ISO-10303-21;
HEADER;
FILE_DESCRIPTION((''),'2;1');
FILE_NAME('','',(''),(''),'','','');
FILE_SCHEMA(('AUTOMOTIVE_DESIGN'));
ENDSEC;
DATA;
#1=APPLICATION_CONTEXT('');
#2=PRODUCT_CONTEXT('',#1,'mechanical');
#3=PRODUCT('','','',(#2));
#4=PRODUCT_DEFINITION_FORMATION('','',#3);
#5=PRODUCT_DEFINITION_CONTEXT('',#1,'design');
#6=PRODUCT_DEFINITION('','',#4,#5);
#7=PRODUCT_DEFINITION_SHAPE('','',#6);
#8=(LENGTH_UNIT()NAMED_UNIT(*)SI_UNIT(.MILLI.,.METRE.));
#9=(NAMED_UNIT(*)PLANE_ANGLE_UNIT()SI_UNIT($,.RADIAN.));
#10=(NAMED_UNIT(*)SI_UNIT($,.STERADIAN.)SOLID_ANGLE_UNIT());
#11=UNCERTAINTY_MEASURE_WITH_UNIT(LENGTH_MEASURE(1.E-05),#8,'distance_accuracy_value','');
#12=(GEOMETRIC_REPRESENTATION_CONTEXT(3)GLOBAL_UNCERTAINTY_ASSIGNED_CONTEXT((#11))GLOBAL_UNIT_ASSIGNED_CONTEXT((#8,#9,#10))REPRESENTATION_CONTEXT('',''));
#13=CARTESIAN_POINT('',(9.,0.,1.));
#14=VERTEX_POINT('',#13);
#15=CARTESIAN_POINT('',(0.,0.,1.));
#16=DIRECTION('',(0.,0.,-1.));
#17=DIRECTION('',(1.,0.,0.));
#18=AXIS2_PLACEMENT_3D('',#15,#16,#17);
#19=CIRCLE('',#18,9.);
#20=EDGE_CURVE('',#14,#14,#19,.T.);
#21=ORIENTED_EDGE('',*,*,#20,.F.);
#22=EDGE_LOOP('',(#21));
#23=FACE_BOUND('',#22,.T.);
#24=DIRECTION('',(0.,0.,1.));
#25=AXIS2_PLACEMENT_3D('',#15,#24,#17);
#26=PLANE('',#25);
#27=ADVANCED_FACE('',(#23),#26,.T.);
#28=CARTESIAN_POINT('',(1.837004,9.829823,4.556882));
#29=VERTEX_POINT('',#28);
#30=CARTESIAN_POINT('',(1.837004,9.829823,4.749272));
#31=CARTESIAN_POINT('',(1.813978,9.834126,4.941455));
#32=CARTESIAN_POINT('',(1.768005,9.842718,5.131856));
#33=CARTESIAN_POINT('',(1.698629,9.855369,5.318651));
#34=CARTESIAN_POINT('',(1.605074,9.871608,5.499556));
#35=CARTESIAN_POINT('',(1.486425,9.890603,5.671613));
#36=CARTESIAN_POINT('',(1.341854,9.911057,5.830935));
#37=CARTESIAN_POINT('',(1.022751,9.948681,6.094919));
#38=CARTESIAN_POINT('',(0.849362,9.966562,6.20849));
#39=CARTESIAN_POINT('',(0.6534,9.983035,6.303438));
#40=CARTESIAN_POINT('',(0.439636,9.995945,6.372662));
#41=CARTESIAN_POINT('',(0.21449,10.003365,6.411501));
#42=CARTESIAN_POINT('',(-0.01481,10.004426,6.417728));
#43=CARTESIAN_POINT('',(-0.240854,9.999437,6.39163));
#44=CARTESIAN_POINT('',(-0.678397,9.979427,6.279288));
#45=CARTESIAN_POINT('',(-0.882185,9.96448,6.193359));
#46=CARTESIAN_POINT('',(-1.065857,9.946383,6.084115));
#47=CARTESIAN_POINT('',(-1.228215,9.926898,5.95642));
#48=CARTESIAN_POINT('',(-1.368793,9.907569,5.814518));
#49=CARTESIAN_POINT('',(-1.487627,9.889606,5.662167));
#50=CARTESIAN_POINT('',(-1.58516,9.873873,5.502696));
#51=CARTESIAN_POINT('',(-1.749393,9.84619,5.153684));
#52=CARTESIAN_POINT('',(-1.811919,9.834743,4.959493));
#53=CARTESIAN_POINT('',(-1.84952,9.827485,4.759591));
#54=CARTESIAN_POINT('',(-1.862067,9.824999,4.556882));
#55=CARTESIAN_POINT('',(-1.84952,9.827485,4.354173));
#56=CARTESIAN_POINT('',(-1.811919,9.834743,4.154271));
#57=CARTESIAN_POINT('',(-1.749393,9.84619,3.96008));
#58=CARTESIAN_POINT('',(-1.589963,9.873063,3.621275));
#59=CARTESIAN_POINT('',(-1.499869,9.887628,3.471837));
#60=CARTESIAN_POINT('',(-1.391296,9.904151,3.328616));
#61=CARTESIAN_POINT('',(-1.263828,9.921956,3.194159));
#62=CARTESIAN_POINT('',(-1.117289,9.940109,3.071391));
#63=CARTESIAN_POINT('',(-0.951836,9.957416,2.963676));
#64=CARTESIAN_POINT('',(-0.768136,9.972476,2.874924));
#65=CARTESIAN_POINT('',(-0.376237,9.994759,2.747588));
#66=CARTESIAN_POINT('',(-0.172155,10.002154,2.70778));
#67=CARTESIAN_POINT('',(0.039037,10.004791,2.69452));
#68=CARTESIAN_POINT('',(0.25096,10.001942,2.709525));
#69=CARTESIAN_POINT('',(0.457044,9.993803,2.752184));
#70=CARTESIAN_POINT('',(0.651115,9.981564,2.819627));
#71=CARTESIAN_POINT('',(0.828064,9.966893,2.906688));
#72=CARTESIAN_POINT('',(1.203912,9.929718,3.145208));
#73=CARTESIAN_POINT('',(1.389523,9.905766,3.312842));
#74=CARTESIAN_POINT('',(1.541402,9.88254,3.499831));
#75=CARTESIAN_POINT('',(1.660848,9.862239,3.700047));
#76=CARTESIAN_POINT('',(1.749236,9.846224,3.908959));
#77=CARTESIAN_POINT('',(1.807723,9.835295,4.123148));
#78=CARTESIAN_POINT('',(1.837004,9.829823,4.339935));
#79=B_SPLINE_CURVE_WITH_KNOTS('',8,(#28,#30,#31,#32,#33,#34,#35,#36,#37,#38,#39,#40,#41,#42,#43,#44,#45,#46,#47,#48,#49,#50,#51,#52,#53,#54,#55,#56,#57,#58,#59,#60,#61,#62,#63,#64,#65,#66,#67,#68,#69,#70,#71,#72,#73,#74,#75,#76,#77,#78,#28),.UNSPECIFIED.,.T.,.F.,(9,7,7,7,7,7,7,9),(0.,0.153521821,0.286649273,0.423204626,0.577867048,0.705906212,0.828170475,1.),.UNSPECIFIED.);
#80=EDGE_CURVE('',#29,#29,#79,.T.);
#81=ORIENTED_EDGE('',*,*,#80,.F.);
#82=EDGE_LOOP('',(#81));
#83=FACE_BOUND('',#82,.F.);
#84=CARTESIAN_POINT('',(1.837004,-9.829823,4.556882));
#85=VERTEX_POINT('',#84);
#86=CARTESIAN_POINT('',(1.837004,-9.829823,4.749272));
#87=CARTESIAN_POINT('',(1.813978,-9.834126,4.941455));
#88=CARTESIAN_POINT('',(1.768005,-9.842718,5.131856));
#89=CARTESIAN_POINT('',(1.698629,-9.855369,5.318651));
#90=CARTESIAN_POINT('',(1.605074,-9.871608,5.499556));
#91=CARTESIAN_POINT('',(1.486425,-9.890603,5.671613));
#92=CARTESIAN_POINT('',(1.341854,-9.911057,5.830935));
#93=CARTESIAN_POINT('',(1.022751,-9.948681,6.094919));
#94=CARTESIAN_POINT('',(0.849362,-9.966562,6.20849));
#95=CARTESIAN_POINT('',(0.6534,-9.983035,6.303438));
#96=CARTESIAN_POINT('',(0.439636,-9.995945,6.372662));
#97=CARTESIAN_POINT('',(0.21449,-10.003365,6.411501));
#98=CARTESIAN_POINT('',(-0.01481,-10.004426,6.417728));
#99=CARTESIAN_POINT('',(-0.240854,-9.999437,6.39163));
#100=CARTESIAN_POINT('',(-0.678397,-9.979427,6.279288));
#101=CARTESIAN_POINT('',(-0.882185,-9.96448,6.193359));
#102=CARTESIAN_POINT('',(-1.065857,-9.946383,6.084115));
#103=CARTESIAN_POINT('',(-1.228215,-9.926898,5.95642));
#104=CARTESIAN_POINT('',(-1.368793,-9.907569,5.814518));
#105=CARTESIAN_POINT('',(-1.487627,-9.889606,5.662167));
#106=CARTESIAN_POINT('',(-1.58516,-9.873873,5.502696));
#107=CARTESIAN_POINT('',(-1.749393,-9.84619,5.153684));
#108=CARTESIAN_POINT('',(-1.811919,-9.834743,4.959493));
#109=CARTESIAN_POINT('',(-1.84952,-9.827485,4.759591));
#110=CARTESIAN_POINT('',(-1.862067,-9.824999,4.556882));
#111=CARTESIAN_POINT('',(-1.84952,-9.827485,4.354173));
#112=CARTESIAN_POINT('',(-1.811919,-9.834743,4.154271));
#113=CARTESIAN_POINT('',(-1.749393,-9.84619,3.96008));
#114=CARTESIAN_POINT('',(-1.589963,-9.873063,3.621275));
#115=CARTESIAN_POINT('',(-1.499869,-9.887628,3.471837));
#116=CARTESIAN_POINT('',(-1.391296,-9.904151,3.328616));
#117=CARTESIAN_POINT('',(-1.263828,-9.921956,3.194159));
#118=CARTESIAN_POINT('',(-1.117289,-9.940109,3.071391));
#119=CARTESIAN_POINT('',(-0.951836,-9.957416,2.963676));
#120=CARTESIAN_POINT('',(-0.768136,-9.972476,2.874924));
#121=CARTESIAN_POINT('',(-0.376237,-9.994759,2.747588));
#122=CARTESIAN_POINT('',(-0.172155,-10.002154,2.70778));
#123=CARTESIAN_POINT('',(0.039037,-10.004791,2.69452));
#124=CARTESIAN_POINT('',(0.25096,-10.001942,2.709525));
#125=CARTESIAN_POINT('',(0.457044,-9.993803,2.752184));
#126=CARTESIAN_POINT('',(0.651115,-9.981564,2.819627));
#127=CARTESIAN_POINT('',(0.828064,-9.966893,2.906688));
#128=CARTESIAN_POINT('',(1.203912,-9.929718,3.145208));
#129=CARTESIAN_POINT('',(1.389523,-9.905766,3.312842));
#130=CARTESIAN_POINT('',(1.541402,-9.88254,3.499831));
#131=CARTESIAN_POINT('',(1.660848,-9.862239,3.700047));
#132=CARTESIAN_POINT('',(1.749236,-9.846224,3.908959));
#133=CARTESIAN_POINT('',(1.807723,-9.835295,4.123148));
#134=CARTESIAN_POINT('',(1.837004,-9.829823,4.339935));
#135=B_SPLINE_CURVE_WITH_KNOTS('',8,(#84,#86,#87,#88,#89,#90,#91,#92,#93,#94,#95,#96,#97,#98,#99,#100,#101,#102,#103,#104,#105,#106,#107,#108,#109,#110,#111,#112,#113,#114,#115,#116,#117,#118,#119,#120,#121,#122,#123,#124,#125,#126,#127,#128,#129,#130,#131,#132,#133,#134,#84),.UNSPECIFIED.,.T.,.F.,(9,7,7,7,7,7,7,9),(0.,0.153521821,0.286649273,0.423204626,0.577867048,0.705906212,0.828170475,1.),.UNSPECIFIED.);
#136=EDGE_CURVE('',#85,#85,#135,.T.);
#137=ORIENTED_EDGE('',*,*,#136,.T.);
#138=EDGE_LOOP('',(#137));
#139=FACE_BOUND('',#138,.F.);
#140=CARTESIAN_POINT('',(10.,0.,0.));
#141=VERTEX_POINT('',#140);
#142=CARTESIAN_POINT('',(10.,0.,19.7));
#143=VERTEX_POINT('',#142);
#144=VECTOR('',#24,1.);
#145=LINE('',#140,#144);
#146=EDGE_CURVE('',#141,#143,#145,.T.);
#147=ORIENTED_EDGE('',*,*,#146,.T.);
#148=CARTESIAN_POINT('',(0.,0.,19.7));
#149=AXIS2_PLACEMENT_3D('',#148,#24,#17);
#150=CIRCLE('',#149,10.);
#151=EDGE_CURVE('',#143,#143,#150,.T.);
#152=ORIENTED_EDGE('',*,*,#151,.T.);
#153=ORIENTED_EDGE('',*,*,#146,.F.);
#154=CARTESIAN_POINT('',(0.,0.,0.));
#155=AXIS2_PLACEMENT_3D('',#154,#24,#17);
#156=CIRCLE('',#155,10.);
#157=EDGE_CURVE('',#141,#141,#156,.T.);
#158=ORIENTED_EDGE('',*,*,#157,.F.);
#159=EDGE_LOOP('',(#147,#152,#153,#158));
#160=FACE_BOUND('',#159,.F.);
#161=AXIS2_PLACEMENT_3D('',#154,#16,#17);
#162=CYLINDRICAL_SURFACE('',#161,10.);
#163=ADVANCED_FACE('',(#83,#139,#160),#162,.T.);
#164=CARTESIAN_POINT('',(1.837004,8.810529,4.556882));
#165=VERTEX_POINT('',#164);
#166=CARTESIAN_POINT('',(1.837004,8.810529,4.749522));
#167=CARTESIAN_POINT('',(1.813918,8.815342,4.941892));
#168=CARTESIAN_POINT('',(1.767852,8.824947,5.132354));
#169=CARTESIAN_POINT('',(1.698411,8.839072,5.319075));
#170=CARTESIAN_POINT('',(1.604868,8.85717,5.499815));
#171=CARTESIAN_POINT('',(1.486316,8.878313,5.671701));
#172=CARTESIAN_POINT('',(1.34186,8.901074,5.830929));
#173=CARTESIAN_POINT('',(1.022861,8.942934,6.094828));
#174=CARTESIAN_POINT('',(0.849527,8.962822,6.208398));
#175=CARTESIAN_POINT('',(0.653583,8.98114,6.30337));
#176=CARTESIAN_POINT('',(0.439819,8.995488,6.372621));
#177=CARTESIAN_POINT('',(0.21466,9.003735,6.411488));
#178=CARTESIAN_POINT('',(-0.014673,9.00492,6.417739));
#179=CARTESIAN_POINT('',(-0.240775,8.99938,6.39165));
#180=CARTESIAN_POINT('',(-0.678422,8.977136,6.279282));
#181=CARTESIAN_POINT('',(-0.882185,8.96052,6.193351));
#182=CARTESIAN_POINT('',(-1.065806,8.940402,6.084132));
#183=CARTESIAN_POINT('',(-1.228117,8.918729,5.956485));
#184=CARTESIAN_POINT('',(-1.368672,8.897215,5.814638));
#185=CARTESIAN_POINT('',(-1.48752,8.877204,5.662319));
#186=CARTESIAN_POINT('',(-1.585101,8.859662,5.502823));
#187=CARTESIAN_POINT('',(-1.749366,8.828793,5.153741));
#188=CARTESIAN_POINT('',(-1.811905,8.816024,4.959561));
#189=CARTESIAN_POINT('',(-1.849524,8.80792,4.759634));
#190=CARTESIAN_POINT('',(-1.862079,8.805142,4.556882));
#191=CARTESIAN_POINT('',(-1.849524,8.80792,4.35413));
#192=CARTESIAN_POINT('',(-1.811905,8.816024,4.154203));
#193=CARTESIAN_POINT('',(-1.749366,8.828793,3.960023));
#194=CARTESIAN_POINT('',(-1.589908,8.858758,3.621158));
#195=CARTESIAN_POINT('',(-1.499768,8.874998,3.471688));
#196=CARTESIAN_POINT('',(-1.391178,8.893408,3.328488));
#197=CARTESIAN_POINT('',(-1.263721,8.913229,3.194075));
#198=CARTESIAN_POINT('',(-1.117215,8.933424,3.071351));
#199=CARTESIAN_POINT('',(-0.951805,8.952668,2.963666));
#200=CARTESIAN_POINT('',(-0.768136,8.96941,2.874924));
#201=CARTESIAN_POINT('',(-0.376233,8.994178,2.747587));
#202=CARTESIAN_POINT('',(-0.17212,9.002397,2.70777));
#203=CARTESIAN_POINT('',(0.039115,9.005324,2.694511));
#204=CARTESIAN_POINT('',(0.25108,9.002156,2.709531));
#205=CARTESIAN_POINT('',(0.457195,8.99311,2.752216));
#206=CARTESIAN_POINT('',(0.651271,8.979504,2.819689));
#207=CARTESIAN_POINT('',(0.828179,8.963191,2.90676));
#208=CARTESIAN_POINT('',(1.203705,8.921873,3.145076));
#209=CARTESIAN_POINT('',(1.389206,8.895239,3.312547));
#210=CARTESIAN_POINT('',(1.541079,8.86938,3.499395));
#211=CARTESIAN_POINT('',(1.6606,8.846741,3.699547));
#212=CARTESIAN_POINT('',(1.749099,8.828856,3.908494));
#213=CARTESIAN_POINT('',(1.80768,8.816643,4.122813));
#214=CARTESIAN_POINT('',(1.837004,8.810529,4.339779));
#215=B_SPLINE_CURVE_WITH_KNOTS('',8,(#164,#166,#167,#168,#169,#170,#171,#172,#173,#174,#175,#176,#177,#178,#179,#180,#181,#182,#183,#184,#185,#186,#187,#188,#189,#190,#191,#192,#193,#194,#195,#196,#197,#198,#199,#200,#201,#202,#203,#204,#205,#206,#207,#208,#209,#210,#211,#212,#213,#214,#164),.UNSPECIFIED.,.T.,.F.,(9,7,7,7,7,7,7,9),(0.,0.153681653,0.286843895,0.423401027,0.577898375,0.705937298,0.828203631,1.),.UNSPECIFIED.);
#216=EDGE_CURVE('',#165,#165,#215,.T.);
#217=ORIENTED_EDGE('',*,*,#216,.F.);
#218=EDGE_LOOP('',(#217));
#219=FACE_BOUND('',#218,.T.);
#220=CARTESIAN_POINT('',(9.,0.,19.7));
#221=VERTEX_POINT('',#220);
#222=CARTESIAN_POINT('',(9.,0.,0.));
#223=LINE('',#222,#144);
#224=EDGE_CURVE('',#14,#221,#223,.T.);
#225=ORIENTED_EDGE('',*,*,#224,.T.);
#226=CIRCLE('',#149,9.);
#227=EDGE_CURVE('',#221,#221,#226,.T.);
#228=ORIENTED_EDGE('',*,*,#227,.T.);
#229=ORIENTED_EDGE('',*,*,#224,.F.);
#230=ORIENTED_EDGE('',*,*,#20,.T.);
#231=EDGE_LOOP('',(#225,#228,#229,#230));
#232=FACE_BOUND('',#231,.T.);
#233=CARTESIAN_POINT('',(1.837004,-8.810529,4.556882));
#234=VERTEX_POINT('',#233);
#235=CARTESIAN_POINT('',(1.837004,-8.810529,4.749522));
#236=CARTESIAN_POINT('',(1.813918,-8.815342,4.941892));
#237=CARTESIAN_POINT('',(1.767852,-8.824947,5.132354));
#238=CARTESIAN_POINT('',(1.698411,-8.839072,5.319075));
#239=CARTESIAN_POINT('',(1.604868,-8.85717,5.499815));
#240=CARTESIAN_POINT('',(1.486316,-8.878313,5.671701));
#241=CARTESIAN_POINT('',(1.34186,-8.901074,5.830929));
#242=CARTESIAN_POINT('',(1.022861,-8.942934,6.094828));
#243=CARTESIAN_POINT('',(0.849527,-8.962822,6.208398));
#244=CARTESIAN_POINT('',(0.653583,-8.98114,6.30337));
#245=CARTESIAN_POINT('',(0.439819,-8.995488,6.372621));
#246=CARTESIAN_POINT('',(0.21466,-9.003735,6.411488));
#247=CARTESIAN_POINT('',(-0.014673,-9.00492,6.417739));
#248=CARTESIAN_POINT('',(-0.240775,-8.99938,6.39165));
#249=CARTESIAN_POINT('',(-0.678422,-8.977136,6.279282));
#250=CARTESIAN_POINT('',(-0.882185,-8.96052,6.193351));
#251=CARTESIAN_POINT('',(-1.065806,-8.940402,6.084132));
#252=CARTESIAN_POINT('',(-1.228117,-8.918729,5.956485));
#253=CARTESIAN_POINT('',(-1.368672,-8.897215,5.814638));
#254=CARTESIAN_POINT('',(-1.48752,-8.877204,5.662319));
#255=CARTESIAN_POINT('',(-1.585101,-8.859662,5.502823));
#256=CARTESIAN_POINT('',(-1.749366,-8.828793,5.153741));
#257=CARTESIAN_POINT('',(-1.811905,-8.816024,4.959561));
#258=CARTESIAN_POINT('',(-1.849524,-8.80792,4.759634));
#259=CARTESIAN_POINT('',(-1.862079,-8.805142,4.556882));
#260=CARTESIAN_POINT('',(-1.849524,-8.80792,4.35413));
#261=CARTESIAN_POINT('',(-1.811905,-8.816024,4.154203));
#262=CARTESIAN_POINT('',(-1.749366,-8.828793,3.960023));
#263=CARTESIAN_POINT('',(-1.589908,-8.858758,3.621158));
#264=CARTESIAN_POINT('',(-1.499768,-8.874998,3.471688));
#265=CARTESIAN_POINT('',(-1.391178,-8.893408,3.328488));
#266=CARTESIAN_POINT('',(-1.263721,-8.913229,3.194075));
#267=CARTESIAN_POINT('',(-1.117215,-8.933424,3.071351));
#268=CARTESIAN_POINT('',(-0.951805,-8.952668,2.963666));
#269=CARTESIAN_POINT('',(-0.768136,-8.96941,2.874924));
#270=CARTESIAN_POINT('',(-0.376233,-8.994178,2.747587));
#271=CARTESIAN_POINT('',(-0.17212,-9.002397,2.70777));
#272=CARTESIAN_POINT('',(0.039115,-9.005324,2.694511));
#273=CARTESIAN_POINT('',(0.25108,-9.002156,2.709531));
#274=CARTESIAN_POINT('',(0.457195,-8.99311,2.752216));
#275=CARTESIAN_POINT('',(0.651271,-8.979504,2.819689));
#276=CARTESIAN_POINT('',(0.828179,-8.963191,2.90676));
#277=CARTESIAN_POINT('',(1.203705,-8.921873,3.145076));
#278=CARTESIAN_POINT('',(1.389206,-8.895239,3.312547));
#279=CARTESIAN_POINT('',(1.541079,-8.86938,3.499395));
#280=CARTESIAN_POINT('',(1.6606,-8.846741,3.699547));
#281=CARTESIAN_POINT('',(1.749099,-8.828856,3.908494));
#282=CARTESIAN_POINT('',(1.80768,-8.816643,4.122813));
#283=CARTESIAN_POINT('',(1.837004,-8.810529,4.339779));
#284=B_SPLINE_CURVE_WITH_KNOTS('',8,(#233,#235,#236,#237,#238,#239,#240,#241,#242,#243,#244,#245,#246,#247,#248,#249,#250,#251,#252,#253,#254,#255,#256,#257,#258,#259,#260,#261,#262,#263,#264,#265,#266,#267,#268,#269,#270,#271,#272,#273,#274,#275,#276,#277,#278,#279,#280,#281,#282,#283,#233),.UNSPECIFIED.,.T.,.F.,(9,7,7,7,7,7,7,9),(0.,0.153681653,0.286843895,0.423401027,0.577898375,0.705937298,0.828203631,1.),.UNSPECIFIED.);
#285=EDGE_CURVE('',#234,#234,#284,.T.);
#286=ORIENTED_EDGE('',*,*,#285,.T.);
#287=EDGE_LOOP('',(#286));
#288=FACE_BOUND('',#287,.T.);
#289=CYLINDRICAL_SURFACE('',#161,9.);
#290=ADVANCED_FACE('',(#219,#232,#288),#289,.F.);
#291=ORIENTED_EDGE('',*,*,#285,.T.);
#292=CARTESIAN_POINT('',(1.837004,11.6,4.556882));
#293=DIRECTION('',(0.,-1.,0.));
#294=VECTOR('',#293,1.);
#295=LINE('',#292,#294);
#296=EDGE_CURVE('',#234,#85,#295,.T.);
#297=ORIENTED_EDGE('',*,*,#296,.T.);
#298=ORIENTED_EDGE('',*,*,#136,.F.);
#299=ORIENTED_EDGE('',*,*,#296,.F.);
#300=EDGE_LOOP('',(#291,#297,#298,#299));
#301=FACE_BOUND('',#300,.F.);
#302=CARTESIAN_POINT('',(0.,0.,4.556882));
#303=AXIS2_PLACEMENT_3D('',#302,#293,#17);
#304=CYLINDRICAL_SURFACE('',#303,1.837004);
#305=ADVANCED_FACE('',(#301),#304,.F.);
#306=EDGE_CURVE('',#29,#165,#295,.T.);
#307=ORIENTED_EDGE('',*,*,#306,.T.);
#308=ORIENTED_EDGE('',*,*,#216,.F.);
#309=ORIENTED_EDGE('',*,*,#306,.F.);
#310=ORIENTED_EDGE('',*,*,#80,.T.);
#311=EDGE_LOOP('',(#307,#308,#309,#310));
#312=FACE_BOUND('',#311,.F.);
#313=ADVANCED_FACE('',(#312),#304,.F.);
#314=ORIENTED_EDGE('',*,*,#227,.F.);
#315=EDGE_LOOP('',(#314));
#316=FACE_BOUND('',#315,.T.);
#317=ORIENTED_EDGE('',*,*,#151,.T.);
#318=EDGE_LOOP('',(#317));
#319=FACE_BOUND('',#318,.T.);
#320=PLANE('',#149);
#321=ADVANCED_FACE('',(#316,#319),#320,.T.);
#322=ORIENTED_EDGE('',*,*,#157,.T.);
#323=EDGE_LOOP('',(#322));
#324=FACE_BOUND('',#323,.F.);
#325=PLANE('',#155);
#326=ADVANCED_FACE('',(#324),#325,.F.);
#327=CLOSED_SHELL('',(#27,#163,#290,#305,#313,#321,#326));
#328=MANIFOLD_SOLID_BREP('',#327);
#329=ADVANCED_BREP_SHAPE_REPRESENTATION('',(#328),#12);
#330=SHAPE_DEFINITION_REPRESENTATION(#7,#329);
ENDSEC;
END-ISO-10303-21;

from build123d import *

# Parameters (mm, degrees)
F0_R     = 10
F1_DEPTH = 19.7
F2_T     = -1
F3_R     = 1.837004
F4_DEPTH = 11.6


with BuildPart() as f1:
    # F0 (on Top) → F1 (new body)
    with BuildSketch(Plane.XY):
        Circle(F0_R)
    extrude(amount=F1_DEPTH)

    # F2
    f2_openings = [f1.faces().sort_by_distance(p)[0] for p in [
        (0, 0, 19.7),
    ]]
    offset(amount=F2_T, openings=f2_openings)

    # F3 (on Front) → F4 (cut, symmetric)
    with BuildSketch(Plane.XZ):
        with Locations((0, 4.556882)):
            Circle(F3_R)
    extrude(amount=F4_DEPTH, both=True, mode=Mode.SUBTRACT)


solid = f1.part
